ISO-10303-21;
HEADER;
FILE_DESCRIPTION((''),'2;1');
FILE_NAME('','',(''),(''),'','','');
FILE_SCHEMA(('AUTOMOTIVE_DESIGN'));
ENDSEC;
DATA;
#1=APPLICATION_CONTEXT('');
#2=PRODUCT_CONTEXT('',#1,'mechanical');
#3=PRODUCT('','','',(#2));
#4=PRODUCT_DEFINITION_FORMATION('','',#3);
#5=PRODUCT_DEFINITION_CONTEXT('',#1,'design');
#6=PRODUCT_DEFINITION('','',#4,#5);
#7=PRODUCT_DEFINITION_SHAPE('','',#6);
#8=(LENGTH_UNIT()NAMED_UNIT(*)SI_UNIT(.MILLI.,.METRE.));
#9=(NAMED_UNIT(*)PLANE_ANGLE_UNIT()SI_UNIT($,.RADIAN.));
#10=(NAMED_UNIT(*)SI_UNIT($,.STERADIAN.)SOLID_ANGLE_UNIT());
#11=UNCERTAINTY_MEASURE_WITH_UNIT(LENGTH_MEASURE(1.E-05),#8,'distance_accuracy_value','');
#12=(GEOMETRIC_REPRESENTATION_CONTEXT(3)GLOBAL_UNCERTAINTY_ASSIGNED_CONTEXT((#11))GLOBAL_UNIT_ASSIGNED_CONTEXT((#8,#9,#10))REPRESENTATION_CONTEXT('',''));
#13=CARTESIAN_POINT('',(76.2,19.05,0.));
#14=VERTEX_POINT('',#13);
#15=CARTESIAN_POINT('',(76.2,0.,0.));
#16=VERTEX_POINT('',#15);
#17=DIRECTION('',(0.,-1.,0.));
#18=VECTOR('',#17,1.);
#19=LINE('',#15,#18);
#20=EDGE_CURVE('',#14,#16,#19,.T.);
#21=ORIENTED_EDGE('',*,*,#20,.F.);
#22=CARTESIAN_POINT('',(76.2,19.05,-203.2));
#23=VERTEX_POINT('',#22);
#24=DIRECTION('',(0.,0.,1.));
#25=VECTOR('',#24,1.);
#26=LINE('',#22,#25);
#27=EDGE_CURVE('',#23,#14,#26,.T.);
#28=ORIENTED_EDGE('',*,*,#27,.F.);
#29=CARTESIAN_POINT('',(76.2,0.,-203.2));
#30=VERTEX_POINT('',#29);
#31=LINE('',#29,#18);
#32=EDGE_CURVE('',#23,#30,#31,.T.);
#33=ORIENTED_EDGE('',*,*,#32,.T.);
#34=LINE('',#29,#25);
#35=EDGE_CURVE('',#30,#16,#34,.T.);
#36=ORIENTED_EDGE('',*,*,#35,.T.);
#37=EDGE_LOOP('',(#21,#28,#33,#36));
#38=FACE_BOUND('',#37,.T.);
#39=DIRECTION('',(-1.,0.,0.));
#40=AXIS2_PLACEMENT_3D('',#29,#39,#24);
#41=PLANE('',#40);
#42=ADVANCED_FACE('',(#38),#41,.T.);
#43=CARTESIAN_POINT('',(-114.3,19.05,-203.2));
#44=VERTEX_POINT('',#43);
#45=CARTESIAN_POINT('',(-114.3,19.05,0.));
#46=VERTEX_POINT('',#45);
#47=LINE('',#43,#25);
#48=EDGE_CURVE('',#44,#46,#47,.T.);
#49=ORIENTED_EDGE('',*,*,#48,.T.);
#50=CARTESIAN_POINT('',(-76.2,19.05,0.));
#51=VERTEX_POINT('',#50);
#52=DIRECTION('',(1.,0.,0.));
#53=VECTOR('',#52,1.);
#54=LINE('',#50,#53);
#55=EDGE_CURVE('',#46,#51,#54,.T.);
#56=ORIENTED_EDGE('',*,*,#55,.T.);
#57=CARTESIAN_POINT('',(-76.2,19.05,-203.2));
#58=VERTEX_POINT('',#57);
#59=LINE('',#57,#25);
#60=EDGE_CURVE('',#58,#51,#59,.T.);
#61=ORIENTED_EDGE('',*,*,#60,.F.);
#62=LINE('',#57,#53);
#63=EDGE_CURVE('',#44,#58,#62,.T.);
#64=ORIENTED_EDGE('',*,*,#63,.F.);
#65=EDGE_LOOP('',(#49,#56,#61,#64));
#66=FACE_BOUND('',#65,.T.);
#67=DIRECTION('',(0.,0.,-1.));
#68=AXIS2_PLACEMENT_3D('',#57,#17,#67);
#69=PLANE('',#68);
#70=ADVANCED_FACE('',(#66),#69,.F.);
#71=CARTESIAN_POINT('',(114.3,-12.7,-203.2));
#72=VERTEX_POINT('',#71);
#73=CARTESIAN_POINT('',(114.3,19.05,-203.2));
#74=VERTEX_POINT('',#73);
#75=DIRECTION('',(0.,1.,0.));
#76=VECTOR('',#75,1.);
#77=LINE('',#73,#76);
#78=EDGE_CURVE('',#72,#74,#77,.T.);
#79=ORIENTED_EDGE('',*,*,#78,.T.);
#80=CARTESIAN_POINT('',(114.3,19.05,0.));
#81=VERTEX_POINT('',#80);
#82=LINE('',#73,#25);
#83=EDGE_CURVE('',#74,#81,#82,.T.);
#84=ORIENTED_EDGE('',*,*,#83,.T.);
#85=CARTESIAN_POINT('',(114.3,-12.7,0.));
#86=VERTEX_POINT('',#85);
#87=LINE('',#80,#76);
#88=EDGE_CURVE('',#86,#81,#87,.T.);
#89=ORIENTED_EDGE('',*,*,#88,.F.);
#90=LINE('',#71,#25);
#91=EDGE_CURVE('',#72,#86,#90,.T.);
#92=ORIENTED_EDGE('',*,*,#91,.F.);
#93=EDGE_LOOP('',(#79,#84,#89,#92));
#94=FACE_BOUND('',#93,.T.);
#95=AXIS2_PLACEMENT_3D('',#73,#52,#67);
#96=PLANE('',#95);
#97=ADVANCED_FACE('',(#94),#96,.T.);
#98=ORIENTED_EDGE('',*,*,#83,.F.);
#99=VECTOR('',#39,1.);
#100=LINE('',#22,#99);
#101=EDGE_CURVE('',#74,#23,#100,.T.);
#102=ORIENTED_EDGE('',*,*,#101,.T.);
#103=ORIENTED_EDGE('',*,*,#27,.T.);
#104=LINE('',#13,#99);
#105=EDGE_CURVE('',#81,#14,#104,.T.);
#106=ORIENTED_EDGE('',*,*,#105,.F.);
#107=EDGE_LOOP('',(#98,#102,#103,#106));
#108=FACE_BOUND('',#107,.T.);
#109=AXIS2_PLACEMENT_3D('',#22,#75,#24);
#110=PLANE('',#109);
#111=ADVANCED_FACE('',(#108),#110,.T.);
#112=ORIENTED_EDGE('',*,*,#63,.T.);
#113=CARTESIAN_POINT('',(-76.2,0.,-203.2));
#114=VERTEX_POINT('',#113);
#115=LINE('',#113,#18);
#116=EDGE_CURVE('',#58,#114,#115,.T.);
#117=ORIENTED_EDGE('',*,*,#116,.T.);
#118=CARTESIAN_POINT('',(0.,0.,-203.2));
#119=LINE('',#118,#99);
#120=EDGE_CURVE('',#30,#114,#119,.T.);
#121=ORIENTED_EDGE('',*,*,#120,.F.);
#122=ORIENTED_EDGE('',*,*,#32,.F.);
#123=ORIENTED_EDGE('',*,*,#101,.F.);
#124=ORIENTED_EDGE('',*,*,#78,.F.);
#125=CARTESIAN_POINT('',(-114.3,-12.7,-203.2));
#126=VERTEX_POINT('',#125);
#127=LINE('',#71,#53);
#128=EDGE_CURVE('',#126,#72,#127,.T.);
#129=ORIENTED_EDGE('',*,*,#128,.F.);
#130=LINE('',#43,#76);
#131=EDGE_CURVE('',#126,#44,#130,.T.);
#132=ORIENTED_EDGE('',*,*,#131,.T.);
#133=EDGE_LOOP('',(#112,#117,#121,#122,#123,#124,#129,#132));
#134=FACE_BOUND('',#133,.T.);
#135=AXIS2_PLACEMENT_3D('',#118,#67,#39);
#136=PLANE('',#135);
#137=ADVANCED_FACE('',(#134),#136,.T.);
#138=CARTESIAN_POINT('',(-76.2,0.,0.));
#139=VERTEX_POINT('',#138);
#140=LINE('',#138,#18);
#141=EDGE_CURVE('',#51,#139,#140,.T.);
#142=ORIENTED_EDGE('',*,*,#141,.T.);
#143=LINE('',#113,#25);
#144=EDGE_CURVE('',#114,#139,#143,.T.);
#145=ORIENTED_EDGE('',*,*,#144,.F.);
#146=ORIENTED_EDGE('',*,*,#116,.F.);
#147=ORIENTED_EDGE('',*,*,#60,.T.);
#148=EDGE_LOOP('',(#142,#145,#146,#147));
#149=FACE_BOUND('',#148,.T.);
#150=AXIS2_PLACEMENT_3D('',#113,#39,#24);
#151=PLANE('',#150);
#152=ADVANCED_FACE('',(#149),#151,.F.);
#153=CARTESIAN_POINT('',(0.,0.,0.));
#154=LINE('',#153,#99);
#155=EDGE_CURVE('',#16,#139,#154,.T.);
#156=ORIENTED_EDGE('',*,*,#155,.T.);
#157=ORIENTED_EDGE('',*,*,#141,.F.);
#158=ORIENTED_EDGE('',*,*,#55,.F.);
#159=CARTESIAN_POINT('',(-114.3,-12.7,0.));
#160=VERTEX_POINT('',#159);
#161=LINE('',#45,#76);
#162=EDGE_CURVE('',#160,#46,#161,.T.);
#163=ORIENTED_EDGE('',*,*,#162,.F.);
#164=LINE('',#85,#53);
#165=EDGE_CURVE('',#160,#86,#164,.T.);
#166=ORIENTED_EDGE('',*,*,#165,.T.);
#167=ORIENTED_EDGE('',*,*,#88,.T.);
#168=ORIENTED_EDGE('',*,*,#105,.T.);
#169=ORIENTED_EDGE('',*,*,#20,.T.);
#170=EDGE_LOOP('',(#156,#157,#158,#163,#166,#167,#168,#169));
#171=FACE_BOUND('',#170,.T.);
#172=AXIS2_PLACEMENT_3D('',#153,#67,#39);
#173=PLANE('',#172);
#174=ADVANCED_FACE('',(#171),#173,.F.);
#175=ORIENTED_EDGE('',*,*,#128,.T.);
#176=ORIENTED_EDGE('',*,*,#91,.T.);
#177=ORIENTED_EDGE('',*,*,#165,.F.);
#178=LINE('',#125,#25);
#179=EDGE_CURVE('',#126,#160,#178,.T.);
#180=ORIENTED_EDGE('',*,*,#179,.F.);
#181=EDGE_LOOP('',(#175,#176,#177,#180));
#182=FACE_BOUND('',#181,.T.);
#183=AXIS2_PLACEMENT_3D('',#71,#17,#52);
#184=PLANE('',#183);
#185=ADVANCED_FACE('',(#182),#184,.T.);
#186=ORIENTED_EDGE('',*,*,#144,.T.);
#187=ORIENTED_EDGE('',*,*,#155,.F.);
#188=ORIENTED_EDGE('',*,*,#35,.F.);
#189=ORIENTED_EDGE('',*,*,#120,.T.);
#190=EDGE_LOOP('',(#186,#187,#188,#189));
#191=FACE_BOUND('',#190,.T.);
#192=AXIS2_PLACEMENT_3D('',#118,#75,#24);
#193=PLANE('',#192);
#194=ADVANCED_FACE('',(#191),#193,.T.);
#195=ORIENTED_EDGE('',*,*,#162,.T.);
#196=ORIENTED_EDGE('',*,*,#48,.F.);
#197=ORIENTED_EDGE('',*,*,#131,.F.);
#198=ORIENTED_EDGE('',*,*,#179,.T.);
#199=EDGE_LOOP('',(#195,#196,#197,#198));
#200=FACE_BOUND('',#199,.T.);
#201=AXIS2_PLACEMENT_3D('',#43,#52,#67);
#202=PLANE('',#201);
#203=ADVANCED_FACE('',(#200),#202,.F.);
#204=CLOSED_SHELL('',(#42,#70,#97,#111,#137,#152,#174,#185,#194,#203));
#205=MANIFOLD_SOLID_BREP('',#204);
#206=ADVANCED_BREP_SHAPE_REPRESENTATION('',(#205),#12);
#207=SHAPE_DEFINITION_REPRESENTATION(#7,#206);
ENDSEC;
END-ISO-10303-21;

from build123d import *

# Parameters (mm, degrees)
BOSS_EXTRUDE1_DEPTH = 203.2


with BuildPart() as part:
    # Sketch1 → Boss-Extrude1 (new body)
    with BuildSketch(Plane.XY):
        Polygon((0, 0), (76.2, 0), (76.2, 19.05), (114.3, 19.05), (114.3, -12.7), (0, -12.7), align=None)
    boss_extrude1 = extrude(amount=-BOSS_EXTRUDE1_DEPTH)

    # Mirror1: Boss-Extrude1 across plane
    add(boss_extrude1.mirror(Plane(origin=(0, -12.7, -203.2), x_dir=(0, 0, 1), z_dir=(-1, 0, 0))))


solid = part.part
